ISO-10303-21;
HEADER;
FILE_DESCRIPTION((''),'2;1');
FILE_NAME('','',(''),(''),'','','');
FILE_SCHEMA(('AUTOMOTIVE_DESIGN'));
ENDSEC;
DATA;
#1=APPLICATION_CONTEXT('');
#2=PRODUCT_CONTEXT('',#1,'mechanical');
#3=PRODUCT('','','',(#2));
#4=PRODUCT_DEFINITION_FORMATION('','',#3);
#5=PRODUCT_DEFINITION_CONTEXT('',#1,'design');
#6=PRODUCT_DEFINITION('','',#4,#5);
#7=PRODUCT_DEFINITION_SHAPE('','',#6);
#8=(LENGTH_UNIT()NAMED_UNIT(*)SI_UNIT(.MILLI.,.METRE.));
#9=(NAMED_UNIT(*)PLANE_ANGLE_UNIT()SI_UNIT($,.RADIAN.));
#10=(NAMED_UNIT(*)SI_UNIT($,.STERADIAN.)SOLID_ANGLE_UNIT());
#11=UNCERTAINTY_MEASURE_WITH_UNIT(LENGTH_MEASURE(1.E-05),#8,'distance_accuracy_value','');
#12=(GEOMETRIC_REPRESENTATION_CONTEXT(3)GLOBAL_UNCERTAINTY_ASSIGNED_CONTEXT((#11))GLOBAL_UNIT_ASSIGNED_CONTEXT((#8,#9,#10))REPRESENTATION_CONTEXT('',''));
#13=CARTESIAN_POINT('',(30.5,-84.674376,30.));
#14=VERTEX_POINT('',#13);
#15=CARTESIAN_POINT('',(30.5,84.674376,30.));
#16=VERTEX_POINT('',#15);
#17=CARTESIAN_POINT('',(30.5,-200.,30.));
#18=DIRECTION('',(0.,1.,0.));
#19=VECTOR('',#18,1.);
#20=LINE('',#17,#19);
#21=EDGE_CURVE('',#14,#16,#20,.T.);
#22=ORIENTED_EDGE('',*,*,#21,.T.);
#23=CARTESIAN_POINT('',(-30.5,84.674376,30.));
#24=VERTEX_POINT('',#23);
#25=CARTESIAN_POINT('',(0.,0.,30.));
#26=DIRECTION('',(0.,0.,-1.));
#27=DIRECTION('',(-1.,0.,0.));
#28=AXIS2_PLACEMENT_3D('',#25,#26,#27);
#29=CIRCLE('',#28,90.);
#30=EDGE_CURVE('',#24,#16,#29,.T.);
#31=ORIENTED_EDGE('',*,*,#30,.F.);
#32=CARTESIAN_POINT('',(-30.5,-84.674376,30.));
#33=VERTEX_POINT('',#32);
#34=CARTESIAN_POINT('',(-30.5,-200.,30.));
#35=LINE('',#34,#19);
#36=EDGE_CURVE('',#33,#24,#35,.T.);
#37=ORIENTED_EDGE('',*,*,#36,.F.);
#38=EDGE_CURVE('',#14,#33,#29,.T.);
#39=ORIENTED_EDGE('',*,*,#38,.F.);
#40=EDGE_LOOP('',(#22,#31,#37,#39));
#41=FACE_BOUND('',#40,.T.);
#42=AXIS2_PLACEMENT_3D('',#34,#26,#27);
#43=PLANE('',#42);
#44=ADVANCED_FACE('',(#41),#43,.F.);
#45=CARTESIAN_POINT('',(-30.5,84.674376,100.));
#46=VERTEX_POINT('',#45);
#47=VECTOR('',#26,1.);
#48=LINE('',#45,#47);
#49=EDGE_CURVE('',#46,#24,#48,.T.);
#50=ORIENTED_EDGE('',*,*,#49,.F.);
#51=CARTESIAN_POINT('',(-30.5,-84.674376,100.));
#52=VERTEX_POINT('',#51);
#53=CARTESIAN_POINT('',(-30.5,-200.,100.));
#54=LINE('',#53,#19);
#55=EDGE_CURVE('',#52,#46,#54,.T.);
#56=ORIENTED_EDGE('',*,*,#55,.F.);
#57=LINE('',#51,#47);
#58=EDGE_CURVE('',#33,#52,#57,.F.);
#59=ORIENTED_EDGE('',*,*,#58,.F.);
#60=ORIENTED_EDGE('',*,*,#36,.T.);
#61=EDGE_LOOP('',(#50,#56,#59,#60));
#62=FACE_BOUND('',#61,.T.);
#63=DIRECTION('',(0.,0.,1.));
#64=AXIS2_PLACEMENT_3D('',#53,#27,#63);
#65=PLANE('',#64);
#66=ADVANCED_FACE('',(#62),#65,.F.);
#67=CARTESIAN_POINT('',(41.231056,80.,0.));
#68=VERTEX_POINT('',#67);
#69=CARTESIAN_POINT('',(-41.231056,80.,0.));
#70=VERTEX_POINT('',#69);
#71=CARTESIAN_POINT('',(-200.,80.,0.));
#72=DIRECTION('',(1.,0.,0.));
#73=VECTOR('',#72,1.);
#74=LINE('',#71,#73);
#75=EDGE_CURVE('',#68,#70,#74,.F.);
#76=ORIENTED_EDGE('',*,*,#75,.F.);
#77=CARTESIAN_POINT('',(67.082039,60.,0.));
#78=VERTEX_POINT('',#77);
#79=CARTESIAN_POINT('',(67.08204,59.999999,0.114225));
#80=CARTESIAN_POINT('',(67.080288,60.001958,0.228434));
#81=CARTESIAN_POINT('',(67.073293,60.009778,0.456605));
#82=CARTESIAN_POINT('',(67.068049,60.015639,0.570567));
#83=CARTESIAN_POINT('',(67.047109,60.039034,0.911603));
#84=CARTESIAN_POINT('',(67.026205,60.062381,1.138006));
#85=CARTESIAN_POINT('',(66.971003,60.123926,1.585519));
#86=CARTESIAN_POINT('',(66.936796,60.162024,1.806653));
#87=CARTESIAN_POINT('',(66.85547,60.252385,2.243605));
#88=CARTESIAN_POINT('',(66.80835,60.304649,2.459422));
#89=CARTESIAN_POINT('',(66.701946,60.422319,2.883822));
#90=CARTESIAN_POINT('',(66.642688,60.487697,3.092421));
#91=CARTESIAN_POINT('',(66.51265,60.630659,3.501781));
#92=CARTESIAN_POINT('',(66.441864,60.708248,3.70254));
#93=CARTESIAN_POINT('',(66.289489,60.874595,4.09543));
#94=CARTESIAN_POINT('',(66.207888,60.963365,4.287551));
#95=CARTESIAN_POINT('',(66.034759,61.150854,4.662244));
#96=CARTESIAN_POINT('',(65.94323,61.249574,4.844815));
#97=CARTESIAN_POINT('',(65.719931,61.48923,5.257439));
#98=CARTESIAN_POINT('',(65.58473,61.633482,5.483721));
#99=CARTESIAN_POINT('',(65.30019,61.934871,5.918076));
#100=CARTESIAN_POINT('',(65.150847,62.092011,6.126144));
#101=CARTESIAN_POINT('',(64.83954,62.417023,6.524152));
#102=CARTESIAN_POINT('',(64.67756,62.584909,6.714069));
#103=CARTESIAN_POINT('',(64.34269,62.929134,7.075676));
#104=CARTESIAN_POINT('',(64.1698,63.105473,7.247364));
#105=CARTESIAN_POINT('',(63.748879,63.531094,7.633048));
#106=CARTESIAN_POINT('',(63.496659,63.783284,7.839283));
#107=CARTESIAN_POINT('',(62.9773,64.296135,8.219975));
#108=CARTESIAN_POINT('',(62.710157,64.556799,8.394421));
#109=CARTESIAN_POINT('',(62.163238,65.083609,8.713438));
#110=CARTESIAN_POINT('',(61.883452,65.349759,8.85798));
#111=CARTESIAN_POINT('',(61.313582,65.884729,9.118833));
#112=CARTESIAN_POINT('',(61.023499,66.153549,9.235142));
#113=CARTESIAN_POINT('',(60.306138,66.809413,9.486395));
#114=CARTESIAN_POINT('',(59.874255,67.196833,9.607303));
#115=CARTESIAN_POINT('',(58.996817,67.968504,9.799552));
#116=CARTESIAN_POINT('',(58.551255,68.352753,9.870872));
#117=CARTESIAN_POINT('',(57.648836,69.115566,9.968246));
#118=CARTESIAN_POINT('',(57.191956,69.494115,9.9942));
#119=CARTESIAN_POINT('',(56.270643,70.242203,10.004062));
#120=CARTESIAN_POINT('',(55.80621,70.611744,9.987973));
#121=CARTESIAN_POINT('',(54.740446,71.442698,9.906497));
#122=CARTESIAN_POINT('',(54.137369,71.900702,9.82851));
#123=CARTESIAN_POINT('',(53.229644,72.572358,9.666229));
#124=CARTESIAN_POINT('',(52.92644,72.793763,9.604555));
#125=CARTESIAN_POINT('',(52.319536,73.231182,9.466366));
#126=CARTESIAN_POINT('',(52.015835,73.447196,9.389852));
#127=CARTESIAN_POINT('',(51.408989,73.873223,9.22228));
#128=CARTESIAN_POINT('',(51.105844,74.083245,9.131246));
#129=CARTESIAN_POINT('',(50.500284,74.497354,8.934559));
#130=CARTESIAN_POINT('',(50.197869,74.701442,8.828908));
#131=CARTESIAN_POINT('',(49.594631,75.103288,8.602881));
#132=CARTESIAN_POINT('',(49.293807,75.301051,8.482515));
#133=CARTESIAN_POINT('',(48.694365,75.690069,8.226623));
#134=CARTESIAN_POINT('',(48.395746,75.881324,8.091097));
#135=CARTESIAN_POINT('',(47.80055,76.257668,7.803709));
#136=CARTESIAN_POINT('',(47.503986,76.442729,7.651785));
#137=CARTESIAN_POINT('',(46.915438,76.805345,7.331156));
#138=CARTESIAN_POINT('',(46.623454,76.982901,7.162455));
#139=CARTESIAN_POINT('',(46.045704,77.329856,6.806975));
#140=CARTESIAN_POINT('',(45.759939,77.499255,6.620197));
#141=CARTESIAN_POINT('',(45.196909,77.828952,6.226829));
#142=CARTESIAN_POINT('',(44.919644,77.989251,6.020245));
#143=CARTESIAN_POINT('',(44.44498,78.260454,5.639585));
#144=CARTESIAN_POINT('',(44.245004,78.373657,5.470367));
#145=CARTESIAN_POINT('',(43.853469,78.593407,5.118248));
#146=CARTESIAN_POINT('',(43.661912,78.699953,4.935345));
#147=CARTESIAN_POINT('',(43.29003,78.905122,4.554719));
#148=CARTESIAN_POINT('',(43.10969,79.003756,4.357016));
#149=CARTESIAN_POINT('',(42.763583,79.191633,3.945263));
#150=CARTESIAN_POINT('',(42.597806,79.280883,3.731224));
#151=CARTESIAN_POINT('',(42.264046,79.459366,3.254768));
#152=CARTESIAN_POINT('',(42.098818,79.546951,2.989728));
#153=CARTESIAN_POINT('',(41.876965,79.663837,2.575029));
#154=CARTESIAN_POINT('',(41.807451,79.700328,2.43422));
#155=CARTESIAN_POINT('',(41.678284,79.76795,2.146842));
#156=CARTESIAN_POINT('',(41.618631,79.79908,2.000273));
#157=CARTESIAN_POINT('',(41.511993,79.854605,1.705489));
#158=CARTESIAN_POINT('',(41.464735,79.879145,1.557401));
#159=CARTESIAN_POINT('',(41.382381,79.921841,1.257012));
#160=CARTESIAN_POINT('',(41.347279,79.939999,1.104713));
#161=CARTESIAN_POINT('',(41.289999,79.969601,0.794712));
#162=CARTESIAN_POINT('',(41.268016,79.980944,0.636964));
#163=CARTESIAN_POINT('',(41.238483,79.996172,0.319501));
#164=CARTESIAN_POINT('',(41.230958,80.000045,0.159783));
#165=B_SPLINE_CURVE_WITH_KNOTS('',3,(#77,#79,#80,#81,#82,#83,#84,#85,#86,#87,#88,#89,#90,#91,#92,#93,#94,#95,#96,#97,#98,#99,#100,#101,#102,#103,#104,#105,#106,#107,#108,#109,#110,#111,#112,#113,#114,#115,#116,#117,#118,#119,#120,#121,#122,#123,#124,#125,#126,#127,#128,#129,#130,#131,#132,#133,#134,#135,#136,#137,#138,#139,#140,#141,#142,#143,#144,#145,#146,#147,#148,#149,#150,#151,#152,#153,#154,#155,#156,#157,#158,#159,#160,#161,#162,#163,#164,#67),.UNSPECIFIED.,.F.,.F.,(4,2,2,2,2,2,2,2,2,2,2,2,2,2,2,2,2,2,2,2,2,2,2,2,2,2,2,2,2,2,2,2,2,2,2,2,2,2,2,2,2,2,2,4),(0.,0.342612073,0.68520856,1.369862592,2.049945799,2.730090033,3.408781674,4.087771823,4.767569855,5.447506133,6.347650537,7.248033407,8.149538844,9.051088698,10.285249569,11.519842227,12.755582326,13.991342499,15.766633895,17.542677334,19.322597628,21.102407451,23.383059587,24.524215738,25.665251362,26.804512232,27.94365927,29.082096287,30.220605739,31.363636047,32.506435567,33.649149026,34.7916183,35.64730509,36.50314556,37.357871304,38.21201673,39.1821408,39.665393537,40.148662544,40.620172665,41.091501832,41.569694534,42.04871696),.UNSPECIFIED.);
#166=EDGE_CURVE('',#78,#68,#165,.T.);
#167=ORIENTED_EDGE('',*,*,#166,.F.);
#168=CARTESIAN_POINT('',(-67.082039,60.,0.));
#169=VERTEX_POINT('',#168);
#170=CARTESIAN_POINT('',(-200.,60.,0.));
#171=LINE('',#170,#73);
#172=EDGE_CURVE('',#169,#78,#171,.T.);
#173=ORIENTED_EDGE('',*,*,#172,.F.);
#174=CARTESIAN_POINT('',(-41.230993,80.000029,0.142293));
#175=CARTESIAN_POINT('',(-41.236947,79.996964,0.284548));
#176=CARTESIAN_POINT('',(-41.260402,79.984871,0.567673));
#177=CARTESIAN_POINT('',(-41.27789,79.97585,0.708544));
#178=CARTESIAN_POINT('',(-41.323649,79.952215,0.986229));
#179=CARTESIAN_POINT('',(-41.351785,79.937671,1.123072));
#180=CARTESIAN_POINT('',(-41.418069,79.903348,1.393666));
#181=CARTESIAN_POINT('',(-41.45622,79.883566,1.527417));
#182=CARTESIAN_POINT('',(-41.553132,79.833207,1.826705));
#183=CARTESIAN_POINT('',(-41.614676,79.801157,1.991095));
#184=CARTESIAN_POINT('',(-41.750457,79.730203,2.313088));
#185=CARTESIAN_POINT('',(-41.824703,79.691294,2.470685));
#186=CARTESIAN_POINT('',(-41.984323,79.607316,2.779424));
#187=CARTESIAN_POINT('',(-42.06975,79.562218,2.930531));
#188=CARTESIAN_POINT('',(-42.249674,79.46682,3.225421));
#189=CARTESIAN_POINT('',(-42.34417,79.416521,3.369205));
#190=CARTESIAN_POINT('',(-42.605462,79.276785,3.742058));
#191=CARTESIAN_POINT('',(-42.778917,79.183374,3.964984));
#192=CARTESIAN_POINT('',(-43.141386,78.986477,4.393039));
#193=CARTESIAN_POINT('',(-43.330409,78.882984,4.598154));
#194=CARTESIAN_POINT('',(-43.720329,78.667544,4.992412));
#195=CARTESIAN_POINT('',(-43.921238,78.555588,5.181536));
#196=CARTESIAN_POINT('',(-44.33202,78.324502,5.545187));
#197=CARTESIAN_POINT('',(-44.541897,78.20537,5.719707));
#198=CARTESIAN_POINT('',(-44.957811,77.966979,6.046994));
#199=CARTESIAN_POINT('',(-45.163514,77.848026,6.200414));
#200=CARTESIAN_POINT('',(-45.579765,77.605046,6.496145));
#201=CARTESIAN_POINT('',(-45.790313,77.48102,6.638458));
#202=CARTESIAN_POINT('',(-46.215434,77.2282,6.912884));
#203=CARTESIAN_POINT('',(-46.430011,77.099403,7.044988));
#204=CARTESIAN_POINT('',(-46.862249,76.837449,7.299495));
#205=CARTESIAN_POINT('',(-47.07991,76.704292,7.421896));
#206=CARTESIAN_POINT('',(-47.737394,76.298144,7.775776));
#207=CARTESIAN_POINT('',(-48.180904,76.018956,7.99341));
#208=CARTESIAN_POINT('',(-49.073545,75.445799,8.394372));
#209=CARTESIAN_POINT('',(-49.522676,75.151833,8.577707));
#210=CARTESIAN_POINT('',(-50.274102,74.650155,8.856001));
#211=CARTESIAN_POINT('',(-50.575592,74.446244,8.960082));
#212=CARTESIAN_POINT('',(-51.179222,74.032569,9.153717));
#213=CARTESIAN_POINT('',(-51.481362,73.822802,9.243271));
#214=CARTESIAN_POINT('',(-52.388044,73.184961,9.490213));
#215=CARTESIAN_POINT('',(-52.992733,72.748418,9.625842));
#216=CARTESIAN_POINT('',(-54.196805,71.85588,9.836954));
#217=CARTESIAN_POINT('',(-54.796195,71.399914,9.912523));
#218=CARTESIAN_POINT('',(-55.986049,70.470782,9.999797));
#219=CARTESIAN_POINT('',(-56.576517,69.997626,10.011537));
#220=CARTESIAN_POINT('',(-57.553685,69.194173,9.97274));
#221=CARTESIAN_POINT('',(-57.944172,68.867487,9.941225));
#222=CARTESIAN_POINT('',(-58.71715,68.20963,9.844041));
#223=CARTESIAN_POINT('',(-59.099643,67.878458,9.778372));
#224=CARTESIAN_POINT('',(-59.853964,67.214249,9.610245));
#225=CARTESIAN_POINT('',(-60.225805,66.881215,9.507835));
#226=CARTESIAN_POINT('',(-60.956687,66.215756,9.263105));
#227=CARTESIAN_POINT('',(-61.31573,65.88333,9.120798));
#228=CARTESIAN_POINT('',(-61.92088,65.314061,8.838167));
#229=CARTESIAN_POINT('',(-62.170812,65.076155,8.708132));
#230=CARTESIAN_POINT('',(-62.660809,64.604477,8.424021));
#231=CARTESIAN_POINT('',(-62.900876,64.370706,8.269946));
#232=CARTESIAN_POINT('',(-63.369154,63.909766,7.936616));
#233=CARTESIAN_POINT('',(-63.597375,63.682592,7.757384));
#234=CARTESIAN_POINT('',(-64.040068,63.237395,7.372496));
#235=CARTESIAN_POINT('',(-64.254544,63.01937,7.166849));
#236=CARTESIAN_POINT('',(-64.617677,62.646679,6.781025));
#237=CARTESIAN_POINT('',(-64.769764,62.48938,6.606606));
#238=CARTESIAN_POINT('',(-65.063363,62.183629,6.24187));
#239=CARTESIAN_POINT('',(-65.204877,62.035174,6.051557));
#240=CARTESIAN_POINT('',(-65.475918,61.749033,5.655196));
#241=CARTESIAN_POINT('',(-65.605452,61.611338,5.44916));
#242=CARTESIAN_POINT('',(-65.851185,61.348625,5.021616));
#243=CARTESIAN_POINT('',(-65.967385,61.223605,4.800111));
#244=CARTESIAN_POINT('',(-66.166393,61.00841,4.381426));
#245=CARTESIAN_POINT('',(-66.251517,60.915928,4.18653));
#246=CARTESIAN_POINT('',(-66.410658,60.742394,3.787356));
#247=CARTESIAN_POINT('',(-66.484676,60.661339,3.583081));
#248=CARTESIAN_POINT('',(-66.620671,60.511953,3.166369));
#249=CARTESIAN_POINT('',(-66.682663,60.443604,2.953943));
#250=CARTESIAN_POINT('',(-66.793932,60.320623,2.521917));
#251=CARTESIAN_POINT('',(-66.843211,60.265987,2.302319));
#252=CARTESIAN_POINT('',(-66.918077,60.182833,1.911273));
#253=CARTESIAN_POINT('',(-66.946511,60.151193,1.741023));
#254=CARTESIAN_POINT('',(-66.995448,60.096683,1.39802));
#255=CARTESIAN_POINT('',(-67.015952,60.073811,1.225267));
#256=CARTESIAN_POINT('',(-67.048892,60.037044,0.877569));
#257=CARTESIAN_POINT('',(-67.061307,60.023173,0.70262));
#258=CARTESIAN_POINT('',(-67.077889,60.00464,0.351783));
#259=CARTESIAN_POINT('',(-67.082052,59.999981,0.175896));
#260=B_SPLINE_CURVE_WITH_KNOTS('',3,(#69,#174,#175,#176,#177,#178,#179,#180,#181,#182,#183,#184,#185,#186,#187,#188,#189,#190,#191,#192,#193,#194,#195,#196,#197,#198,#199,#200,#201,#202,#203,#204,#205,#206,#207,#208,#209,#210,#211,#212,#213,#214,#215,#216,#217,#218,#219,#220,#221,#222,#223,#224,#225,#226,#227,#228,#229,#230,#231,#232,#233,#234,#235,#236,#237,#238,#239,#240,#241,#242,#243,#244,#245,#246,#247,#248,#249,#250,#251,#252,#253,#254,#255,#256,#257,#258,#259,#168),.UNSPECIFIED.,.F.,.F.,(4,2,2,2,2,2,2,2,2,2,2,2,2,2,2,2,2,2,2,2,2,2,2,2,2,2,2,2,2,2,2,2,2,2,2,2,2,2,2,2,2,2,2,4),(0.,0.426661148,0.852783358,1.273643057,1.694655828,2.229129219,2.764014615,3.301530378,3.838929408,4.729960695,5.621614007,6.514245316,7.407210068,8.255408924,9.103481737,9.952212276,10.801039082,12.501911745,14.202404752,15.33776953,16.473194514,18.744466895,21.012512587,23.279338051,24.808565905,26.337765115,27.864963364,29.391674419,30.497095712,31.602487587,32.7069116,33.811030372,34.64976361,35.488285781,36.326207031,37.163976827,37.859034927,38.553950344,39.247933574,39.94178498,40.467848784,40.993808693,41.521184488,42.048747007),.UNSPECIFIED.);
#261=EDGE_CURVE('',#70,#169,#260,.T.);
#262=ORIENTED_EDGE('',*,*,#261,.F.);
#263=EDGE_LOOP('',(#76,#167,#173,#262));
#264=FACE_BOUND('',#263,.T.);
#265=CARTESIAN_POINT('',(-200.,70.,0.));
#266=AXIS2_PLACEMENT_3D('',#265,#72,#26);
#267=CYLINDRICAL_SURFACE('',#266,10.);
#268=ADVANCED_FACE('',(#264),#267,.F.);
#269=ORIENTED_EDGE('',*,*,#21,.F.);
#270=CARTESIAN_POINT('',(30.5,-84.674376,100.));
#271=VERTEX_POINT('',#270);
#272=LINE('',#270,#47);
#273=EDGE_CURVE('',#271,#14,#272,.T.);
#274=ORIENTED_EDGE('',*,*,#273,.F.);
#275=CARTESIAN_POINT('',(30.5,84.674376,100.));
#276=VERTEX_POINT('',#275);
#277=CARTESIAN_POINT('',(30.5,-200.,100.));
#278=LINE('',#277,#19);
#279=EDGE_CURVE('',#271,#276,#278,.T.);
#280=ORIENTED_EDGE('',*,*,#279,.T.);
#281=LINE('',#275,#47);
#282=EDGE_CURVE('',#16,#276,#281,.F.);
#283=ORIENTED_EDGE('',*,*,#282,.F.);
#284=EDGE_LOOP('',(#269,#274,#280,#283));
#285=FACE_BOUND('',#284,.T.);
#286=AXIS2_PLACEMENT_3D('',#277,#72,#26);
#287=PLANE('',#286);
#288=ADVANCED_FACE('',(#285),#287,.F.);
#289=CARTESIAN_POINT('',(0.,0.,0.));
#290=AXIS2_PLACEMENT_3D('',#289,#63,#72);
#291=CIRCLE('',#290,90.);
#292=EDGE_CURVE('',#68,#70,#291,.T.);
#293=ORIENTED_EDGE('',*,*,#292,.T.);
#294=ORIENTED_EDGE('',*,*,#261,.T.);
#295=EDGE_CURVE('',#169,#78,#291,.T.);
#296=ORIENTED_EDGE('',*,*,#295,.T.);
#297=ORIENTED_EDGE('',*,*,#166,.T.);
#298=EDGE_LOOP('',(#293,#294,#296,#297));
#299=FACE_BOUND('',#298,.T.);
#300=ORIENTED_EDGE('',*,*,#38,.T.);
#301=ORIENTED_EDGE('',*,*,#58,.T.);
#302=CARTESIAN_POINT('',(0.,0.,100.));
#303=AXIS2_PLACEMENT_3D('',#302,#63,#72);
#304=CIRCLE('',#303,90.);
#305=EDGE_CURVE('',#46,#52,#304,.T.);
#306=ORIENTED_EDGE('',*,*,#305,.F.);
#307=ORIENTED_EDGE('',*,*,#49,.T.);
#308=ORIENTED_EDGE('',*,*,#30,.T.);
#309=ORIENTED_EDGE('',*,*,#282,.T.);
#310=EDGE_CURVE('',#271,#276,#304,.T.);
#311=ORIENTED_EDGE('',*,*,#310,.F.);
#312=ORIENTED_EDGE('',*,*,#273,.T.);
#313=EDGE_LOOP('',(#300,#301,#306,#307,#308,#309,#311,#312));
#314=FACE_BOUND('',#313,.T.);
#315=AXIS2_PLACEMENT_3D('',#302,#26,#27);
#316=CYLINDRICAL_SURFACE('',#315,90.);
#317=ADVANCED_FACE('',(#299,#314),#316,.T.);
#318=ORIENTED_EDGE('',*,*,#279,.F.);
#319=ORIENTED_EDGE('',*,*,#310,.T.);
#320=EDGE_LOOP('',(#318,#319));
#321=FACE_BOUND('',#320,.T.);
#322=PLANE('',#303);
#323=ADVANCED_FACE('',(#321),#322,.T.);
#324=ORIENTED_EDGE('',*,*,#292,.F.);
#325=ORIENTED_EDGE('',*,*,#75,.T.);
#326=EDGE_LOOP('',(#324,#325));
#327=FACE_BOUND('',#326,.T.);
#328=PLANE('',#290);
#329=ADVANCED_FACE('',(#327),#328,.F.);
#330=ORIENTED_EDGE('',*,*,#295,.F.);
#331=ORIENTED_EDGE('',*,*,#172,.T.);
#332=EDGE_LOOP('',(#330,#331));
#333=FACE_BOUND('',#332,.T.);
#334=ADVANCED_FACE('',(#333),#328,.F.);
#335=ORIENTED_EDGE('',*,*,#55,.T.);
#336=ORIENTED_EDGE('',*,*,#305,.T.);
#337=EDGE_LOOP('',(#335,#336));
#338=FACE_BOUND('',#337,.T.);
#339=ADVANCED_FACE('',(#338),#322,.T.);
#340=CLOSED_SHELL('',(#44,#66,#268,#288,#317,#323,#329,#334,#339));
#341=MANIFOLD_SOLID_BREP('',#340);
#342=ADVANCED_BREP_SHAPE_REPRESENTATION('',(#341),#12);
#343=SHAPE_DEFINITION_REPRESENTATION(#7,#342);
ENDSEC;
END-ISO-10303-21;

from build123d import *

# Parameters (mm, degrees)
SKETCH1_R               = 90
BOSS_EXTRUDE1_DEPTH     = 100
CUT_EXTRUDE1_DEPTH      = 200
CUT_EXTRUDE1_DEPTH_BACK = 200
SKETCH2_W               = 61
SKETCH2_H               = 70
CUT_EXTRUDE2_DEPTH      = 200
CUT_EXTRUDE2_DEPTH_BACK = 200
SKETCH3_R               = 10


with BuildPart() as part:
    # Sketch1 → Boss-Extrude1 (new body)
    with BuildSketch(Plane.XY):
        Circle(SKETCH1_R)
    extrude(amount=BOSS_EXTRUDE1_DEPTH)

    # Sketch2 → Cut-Extrude1 (cut, two sides: drawn at the far end of the back side and taken through both)
    with BuildSketch(Plane(origin=(0, 0, 0), x_dir=(1, 0, 0), z_dir=(0, 1, 0)).offset(-CUT_EXTRUDE1_DEPTH_BACK)):
        with Locations((0, -65)):
            Rectangle(SKETCH2_W, SKETCH2_H)
    extrude(amount=CUT_EXTRUDE1_DEPTH + CUT_EXTRUDE1_DEPTH_BACK, mode=Mode.SUBTRACT)

    # Sketch3 → Cut-Extrude2 (cut, two sides: drawn at the far end of the back side and taken through both)
    with BuildSketch(Plane(origin=(0, 0, 0), x_dir=(0, 0, -1), z_dir=(1, 0, 0)).offset(-CUT_EXTRUDE2_DEPTH_BACK)):
        with Locations((0, 70)):
            Circle(SKETCH3_R)
    extrude(amount=CUT_EXTRUDE2_DEPTH + CUT_EXTRUDE2_DEPTH_BACK, mode=Mode.SUBTRACT)


solid = part.part
